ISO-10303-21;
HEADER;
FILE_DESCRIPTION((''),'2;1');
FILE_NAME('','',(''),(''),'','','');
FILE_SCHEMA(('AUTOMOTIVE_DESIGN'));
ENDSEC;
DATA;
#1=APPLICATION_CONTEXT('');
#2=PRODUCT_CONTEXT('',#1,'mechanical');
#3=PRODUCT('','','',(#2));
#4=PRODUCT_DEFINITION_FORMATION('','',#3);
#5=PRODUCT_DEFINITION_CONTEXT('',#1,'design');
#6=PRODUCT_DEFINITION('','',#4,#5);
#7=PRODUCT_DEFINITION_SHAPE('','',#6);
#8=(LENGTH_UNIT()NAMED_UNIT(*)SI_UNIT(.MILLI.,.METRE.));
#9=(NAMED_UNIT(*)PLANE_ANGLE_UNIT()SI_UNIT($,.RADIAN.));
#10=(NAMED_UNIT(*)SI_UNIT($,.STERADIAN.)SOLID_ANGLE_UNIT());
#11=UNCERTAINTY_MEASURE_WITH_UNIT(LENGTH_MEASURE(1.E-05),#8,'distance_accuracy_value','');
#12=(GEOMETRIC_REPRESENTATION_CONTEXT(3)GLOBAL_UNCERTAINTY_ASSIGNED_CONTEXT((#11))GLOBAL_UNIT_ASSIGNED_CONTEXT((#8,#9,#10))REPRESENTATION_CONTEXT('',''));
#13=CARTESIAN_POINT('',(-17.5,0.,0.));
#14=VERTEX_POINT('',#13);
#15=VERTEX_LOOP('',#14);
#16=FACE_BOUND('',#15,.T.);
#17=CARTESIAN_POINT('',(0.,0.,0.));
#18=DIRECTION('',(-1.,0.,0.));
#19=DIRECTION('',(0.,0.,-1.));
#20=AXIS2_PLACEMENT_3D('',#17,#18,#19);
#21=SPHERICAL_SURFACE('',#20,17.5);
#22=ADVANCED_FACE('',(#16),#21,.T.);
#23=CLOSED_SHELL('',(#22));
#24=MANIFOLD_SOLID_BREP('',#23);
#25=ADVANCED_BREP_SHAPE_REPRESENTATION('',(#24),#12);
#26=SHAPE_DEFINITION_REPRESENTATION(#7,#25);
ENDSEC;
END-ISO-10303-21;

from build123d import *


with BuildPart() as part:
    # Sketch1 → Revolve3 (revolve)
    with BuildSketch(Plane(origin=(0, 0, 0), x_dir=(1, 0, 0), z_dir=(0, 1, 0))):
        with BuildLine():
            Line((-17.5, 0), (17.5, 0))
            ThreePointArc((17.5, 0), (0, -17.5), (-17.5, 0))
        make_face()
    revolve(axis=Axis((-17.5, 0, 0), (1, 0, 0)))


solid = part.part
